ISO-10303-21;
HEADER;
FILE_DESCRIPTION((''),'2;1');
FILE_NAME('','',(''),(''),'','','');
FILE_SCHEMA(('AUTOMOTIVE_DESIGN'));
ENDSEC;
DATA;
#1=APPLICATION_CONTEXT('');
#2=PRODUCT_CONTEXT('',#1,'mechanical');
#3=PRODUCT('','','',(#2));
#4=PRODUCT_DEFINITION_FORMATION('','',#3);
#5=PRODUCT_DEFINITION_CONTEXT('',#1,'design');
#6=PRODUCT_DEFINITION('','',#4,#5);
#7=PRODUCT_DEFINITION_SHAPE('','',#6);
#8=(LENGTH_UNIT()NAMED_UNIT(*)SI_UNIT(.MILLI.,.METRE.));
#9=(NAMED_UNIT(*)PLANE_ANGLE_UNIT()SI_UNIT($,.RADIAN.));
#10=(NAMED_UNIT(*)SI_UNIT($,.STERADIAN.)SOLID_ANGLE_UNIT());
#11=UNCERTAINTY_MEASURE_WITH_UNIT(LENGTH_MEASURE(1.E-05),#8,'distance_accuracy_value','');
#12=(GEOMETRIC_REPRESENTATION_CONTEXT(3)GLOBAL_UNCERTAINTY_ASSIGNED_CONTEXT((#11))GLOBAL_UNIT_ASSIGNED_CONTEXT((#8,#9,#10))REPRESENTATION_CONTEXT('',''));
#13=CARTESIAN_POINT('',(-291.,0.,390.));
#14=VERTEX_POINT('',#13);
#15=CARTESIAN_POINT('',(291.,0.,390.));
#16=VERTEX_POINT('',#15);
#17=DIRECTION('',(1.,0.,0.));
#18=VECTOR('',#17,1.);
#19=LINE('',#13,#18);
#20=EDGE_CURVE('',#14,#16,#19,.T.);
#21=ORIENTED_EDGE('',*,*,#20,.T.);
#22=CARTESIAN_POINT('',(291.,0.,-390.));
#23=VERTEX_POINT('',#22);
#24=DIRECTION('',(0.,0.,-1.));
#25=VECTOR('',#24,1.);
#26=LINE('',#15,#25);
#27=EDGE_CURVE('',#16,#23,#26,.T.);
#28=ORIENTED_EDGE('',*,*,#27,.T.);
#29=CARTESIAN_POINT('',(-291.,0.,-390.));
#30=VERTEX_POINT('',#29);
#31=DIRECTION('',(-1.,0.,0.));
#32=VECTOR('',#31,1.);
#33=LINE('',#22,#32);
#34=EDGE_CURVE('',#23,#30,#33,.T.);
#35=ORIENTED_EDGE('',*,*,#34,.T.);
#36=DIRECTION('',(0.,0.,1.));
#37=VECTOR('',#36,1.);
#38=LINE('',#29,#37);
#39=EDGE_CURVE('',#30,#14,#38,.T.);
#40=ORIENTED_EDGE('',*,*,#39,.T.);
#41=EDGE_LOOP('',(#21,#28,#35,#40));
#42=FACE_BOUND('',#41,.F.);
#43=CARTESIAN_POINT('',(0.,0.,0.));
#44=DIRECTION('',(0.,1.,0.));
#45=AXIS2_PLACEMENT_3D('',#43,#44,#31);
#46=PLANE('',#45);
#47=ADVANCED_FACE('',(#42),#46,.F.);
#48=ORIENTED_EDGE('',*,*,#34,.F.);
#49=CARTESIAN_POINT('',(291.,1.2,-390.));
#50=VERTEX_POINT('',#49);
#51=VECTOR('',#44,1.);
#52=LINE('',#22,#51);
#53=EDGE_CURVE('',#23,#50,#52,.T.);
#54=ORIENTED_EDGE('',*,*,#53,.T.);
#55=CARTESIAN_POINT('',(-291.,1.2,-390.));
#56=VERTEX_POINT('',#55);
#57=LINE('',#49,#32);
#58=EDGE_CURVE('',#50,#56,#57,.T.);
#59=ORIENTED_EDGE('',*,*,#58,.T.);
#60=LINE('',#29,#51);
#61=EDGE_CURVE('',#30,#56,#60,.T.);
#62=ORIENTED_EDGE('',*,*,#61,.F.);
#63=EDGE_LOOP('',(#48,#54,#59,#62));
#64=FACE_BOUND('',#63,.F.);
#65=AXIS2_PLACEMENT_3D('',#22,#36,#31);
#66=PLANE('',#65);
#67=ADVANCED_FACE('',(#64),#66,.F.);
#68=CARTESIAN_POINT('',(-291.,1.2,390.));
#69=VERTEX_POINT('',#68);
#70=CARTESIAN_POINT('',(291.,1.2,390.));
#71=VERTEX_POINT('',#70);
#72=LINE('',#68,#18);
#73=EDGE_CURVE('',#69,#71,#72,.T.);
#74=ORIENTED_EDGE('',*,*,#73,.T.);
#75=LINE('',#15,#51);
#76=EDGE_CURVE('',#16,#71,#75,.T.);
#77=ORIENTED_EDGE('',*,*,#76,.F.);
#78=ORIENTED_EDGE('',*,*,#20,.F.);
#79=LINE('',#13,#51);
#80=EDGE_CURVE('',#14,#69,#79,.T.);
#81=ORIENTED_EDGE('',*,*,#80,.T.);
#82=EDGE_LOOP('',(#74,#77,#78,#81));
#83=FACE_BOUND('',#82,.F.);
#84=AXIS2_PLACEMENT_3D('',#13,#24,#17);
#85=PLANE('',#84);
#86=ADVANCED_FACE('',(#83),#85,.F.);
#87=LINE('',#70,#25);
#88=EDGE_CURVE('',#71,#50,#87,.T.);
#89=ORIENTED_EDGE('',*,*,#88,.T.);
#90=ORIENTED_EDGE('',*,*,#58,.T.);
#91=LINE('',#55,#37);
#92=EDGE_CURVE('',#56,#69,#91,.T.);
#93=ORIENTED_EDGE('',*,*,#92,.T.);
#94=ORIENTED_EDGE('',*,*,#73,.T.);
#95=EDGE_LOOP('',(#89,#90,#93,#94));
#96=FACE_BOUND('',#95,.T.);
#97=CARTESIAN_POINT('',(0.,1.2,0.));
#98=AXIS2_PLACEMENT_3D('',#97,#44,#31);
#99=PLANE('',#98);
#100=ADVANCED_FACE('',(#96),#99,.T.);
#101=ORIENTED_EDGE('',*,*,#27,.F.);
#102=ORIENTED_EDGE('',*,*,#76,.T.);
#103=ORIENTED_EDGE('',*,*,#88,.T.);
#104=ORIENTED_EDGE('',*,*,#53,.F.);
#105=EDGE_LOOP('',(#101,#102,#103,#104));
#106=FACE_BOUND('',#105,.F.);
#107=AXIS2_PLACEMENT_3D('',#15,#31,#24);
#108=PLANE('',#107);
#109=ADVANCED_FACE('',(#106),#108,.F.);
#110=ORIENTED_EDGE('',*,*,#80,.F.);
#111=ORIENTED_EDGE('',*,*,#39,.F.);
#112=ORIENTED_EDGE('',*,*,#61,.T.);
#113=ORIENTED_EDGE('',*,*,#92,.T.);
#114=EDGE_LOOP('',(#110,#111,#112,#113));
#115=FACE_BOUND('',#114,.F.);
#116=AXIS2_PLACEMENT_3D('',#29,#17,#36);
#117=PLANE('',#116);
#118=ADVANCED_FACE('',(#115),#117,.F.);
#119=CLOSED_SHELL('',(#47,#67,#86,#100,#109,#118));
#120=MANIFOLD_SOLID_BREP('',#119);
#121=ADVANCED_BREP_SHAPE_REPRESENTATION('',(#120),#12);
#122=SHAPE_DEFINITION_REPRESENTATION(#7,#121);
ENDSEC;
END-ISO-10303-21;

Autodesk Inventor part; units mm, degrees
ref_plane "YZ Plane" through (0, 0, 0) normal (1, 0, 0) x (0, 1, 0)
ref_plane "XZ Plane" through (0, 0, 0) normal (0, 1, 0) x (-1, 0, 0)
ref_plane "XY Plane" through (0, 0, 0) normal (0, 0, 1) x (1, 0, 0)
sketch "Sketch1" plane through (0, 0, 0) normal (0, 1, 0) x (-1, 0, 0)
  line L0 (291, 390) -> (-291, 390)
  line L1 (-291, 390) -> (-291, -390)
  line L2 (-291, -390) -> (291, -390)
  line L3 (291, -390) -> (291, 390)
  point P0 (0, 0)
  dimension "d0" = 780
  dimension "d1" = 390
  dimension "d2" = 582
  dimension "d3" = 291
extrude "Extrusion1" add sketch "Sketch1" along normal blind 1.2
equation "\"d1\" = 0.5 * d0"
equation "\"d3\" = 0.5 * d2"
properties part number "Base_Plate"
